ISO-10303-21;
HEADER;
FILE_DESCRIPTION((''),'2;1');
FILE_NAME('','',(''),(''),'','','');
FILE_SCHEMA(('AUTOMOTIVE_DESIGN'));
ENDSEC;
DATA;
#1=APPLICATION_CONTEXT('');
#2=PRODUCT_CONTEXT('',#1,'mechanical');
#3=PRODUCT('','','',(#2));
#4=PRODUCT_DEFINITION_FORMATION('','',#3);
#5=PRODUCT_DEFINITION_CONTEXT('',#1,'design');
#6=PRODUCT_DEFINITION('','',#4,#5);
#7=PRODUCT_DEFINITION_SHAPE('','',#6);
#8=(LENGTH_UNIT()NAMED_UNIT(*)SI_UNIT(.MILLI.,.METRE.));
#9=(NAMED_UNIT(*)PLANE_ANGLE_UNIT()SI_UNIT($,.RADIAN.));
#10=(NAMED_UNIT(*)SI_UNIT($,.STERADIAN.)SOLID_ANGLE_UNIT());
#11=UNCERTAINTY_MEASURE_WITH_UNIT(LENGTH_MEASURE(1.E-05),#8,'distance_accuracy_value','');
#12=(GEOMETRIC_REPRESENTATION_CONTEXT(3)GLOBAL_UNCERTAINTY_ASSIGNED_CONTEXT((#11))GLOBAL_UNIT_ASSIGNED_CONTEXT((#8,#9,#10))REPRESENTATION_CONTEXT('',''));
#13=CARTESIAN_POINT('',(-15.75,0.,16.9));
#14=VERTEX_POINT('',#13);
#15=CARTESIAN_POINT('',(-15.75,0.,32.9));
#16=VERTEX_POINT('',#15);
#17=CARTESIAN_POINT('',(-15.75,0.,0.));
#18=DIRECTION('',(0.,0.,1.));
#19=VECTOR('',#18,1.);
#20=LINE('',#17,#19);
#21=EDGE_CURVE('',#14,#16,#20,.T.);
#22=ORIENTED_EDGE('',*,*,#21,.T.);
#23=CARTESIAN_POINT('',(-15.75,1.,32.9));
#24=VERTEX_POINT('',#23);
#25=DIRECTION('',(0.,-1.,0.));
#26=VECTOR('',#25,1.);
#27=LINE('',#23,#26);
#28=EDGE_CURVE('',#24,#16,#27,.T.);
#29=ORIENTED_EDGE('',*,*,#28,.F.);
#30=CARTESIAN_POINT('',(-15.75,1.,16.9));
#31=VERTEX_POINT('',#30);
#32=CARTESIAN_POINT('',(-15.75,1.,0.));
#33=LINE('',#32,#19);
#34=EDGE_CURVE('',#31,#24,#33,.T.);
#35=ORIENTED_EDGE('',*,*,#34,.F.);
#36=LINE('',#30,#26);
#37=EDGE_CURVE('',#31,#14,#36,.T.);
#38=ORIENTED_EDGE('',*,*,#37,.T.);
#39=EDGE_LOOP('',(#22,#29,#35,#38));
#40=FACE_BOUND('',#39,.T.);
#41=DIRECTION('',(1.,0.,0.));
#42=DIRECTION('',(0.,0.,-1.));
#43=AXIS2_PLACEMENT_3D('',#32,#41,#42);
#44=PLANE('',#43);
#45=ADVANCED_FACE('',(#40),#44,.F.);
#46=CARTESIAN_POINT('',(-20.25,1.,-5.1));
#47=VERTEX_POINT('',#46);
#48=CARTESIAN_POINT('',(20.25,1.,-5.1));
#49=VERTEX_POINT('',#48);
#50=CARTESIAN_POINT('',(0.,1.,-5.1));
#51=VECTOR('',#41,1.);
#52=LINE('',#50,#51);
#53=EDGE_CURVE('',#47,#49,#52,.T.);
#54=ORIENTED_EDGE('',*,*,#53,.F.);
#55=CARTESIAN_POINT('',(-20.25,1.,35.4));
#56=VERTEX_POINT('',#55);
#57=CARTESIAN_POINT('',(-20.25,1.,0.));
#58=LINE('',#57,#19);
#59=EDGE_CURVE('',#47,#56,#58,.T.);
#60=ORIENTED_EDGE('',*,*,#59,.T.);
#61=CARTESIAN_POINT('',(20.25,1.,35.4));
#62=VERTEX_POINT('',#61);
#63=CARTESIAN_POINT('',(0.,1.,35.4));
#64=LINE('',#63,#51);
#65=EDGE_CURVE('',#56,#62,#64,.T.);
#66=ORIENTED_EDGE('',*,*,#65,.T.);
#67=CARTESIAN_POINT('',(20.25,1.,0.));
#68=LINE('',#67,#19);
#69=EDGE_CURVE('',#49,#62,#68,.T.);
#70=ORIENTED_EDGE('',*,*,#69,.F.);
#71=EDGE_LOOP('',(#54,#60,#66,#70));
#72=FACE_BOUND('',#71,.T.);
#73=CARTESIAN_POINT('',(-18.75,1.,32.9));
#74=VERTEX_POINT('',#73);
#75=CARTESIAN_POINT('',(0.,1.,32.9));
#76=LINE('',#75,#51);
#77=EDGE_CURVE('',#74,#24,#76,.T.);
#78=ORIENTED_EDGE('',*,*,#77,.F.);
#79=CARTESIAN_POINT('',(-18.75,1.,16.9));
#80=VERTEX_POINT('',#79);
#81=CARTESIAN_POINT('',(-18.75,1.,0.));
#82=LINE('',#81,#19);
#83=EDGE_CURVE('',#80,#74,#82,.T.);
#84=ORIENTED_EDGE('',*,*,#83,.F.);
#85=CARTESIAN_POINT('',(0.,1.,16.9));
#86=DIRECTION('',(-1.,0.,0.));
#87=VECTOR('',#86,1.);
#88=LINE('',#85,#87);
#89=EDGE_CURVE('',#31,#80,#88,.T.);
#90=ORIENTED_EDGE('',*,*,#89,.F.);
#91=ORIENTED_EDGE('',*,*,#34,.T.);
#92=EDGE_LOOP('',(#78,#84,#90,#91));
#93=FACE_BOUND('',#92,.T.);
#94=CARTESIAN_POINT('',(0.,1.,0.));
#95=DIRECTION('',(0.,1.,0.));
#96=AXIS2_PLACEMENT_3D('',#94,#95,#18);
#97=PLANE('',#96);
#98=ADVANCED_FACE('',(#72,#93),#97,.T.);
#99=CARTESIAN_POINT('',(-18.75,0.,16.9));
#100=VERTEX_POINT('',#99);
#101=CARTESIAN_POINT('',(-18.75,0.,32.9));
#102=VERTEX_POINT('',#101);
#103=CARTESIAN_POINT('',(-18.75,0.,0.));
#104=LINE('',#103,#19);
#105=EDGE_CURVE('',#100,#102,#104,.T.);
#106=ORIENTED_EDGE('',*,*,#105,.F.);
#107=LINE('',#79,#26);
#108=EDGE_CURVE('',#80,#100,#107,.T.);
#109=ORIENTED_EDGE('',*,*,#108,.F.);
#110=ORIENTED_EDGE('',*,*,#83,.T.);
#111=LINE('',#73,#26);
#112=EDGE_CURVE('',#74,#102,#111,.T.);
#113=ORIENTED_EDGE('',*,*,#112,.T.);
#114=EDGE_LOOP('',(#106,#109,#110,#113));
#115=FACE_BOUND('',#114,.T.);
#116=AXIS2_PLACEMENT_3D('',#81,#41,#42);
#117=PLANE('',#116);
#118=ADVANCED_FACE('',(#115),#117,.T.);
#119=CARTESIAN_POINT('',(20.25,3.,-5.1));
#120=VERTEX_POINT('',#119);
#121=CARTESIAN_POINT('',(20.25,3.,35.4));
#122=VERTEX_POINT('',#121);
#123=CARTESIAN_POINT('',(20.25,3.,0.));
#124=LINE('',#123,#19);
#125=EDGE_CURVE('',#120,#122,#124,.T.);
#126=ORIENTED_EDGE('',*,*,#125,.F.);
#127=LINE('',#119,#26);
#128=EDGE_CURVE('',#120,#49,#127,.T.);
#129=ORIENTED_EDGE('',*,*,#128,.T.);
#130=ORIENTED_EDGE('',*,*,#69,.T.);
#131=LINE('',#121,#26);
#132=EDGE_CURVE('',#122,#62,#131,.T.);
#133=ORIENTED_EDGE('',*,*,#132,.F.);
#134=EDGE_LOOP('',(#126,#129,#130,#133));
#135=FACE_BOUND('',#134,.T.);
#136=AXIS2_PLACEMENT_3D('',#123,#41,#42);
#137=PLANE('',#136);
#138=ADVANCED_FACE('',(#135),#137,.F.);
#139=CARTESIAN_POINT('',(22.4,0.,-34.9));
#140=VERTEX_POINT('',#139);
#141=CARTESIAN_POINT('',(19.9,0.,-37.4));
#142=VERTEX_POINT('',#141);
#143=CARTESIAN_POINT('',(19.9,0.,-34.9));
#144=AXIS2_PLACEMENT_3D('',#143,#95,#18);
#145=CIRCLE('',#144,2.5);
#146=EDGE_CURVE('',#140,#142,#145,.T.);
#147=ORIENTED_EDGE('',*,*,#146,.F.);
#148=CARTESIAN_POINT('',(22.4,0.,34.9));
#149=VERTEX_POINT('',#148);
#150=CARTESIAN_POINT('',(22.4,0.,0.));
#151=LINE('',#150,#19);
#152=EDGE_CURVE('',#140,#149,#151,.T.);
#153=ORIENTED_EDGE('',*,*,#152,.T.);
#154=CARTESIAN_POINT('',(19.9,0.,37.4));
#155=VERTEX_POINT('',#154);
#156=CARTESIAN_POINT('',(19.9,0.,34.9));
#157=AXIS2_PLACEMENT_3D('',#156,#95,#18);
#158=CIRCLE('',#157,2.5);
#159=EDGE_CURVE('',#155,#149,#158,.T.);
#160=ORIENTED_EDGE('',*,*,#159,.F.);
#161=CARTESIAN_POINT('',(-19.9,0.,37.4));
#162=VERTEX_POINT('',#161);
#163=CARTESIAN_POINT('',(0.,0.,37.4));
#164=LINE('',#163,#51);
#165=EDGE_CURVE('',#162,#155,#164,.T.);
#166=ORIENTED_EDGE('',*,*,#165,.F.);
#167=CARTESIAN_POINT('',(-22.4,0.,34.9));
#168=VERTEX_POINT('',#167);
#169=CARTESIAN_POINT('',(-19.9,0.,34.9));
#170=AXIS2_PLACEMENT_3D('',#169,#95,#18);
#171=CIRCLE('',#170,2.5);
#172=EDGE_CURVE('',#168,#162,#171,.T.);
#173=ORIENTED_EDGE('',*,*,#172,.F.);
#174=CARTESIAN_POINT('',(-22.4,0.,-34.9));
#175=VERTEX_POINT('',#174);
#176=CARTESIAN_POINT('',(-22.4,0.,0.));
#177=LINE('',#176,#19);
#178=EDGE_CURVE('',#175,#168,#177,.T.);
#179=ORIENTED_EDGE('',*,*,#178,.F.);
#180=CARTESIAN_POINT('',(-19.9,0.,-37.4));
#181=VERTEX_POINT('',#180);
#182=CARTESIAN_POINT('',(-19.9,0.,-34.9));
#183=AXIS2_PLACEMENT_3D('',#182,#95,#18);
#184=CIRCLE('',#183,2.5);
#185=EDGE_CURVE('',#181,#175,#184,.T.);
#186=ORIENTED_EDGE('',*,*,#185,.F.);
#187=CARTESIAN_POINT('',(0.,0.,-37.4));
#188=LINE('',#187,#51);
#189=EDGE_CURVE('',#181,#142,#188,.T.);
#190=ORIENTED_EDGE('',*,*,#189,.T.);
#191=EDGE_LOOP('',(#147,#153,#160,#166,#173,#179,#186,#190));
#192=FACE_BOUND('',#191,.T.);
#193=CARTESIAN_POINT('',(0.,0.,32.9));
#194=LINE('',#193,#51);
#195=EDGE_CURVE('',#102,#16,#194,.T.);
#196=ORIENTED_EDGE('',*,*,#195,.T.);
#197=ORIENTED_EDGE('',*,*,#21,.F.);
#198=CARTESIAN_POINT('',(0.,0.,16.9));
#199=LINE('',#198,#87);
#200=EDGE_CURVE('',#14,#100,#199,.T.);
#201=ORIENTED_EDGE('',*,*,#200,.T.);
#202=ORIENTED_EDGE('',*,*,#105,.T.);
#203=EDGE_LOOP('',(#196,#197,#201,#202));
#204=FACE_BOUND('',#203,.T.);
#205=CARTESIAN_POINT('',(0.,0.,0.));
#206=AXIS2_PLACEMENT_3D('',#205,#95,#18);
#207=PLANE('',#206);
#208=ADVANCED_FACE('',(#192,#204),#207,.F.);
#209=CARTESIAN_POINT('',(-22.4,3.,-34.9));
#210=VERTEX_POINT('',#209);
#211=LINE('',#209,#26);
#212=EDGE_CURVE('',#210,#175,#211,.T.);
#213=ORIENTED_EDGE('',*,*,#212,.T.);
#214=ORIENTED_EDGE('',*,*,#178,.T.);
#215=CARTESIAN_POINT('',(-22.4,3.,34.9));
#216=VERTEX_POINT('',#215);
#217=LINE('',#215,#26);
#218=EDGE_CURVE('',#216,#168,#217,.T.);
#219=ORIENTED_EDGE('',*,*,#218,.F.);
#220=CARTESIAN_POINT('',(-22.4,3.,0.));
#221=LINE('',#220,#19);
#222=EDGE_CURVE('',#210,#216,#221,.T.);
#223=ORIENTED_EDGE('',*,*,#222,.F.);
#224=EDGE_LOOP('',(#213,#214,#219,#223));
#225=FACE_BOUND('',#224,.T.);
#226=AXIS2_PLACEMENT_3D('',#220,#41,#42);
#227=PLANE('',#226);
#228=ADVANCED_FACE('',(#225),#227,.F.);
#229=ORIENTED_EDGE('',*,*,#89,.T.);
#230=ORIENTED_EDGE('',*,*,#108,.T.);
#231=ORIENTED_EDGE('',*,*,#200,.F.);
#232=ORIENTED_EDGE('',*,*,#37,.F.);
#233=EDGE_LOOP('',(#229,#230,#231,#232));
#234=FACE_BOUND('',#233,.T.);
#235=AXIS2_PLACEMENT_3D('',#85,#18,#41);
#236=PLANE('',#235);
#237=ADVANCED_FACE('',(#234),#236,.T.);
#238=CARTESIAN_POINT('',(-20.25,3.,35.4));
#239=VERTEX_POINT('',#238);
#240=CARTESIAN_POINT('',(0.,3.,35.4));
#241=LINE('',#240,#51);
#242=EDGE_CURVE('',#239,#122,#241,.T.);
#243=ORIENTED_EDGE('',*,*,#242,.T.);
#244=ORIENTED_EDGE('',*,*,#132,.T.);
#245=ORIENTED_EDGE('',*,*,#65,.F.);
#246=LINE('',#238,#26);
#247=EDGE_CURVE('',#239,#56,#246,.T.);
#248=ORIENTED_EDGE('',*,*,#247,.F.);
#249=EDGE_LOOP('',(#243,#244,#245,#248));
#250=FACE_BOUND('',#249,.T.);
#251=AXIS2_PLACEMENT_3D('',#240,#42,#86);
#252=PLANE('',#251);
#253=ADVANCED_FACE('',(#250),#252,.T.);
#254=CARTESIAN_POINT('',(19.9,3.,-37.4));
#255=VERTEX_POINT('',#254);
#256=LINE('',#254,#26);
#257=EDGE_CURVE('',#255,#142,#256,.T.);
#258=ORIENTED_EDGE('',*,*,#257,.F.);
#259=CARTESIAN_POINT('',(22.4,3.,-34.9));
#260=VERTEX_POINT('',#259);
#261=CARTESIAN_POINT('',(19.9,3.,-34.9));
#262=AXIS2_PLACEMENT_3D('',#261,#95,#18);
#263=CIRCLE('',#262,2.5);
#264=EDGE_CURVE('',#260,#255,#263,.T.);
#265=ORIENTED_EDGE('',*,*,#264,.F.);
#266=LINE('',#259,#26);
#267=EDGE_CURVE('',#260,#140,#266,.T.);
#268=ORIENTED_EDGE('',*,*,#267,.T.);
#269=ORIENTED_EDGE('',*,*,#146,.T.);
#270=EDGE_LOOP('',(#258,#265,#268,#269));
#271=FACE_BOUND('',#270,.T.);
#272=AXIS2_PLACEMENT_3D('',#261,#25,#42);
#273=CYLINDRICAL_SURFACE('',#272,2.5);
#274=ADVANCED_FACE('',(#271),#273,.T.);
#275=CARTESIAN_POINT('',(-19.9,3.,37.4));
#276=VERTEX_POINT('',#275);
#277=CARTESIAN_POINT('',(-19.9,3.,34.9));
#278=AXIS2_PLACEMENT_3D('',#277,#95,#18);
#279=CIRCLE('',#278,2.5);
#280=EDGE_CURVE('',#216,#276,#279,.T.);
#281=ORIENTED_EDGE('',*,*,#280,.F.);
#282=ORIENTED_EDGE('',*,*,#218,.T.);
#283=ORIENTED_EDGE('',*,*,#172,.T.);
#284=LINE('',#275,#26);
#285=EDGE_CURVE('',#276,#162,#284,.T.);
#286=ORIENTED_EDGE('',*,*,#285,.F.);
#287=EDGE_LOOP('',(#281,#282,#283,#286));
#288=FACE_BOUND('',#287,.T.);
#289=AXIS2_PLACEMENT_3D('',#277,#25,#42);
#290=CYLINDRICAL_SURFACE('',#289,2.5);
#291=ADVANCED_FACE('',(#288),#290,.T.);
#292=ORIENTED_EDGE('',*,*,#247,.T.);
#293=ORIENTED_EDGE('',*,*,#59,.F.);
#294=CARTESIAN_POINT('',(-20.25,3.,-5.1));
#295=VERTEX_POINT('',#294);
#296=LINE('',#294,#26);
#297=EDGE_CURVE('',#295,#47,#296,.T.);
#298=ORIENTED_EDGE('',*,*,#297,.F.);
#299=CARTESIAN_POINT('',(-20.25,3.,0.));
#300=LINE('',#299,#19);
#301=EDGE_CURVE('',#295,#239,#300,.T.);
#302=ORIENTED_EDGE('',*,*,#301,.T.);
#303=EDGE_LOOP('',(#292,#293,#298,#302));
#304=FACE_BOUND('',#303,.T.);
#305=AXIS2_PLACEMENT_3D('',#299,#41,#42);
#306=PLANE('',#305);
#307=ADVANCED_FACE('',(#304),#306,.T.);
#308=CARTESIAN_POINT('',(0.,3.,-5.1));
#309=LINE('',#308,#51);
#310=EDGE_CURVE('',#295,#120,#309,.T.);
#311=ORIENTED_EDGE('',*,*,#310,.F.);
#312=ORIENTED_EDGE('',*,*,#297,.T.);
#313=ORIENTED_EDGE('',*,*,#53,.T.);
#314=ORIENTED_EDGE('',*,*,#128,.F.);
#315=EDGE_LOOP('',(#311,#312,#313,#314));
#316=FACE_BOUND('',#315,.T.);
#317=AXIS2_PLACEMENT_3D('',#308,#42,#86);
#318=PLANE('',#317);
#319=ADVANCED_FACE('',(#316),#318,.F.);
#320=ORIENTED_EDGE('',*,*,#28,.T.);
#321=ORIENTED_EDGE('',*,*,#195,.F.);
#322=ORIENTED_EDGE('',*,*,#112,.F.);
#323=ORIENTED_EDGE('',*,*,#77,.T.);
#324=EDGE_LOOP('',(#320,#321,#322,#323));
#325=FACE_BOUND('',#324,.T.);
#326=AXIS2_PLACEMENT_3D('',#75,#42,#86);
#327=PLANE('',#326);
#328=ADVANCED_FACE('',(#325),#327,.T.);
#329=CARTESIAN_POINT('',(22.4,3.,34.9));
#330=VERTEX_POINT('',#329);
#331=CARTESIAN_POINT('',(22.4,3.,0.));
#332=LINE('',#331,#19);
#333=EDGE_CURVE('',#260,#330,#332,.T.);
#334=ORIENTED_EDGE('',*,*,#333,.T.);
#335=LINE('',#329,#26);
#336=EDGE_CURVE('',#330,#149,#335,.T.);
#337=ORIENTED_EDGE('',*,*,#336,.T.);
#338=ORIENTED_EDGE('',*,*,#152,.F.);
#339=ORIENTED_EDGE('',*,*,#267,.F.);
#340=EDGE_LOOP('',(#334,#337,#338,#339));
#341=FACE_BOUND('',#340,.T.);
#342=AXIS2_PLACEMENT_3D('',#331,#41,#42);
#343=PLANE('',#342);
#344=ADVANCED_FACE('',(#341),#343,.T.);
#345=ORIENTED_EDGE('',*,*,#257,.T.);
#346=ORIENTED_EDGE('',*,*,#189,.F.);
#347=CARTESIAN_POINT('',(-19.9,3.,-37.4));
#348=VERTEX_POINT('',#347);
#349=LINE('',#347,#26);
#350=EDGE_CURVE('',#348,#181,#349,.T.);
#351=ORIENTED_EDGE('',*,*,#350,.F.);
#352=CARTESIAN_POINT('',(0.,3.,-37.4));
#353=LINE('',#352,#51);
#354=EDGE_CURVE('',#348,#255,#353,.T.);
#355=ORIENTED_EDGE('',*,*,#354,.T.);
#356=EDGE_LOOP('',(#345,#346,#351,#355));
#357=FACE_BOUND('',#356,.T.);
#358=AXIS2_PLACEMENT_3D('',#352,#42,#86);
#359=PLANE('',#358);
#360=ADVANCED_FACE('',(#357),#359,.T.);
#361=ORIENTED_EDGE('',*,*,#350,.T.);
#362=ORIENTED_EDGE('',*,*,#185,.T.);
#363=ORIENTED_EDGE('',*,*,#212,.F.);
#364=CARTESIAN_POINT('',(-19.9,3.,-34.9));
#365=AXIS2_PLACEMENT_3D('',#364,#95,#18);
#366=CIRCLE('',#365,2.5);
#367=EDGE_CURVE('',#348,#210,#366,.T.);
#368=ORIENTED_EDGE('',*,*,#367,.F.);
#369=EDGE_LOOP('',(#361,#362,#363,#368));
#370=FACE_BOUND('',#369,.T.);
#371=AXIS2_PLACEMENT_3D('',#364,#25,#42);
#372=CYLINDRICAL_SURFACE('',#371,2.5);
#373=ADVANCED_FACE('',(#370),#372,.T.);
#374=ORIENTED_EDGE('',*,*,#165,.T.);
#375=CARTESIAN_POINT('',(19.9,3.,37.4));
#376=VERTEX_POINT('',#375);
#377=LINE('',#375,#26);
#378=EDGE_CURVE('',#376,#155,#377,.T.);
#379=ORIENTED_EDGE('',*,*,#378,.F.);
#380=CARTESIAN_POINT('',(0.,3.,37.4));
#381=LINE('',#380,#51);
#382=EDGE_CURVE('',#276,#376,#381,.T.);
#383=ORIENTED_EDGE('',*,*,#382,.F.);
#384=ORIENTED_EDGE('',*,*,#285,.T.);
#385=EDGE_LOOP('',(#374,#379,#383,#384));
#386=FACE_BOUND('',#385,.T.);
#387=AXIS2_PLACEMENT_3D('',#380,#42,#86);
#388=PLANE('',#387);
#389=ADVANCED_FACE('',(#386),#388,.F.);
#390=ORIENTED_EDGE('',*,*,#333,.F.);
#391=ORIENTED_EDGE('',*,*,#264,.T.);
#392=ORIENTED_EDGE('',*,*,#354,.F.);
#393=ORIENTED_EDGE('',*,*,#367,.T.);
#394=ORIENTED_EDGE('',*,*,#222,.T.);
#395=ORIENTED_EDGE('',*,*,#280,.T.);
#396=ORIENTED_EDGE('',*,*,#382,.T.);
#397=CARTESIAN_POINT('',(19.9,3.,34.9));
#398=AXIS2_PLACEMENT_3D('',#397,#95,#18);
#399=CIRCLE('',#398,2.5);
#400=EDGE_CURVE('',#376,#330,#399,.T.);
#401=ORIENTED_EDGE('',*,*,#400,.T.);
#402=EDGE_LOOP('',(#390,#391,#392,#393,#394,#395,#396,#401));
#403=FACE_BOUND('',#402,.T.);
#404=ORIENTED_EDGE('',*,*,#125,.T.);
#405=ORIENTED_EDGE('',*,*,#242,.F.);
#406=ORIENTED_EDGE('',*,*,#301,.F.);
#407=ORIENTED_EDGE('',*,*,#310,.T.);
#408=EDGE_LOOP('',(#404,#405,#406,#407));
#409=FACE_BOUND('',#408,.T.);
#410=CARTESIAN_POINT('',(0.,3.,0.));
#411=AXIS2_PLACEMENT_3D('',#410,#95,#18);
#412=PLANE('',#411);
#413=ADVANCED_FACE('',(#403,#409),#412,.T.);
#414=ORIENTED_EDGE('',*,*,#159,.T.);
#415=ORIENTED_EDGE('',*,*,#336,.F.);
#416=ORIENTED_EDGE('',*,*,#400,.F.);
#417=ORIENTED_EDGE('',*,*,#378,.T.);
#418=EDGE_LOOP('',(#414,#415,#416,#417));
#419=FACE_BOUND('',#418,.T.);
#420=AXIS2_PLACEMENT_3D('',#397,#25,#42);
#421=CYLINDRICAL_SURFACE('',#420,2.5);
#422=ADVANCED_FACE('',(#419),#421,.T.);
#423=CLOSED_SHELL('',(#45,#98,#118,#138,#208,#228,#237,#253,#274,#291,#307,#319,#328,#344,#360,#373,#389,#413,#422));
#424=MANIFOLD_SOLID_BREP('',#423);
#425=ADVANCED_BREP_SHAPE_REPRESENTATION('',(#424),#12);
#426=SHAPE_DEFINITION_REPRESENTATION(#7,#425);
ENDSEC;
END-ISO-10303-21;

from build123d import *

# Parameters (mm, degrees)
SKETCH1_W           = 40.5
SKETCH1_H           = 40.5
BOSS_EXTRUDE1_DEPTH = 3
SKETCH1_3_W         = 40.5
SKETCH1_3_H         = 40.5
SKETCH1_3_W_2       = 3
SKETCH1_3_H_2       = 16
BOSS_EXTRUDE2_DEPTH = 1


with BuildPart() as part:
    # Sketch1 → Boss-Extrude1 (new body)
    with BuildSketch(Plane(origin=(0, 0, 0), x_dir=(1, 0, 0), z_dir=(0, 1, 0))):
        with BuildLine():
            Line((19.9, 37.4), (-19.9, 37.4))
            ThreePointArc((-19.9, 37.4), (-21.667766953, 36.667766953), (-22.4, 34.9))
            Line((-22.4, 34.9), (-22.4, -34.9))
            ThreePointArc((-22.4, -34.9), (-21.667766953, -36.667766953), (-19.9, -37.4))
            Line((-19.9, -37.4), (19.9, -37.4))
            ThreePointArc((19.9, -37.4), (21.667766953, -36.667766953), (22.4, -34.9))
            Line((22.4, -34.9), (22.4, 34.9))
            ThreePointArc((22.4, 34.9), (21.667766953, 36.667766953), (19.9, 37.4))
        make_face()
        with Locations((0, -15.15)):
            Rectangle(SKETCH1_W, SKETCH1_H, mode=Mode.SUBTRACT)
    extrude(amount=BOSS_EXTRUDE1_DEPTH)

    # Sketch1<3> → Boss-Extrude2 (add)
    with BuildSketch(Plane(origin=(0, 0, 0), x_dir=(1, 0, 0), z_dir=(0, 1, 0))):
        with Locations((0, -15.15)):
            Rectangle(SKETCH1_3_W, SKETCH1_3_H)
        with Locations((-17.25, -24.9)):
            Rectangle(SKETCH1_3_W_2, SKETCH1_3_H_2, mode=Mode.SUBTRACT)
    extrude(amount=BOSS_EXTRUDE2_DEPTH)


solid = part.part
